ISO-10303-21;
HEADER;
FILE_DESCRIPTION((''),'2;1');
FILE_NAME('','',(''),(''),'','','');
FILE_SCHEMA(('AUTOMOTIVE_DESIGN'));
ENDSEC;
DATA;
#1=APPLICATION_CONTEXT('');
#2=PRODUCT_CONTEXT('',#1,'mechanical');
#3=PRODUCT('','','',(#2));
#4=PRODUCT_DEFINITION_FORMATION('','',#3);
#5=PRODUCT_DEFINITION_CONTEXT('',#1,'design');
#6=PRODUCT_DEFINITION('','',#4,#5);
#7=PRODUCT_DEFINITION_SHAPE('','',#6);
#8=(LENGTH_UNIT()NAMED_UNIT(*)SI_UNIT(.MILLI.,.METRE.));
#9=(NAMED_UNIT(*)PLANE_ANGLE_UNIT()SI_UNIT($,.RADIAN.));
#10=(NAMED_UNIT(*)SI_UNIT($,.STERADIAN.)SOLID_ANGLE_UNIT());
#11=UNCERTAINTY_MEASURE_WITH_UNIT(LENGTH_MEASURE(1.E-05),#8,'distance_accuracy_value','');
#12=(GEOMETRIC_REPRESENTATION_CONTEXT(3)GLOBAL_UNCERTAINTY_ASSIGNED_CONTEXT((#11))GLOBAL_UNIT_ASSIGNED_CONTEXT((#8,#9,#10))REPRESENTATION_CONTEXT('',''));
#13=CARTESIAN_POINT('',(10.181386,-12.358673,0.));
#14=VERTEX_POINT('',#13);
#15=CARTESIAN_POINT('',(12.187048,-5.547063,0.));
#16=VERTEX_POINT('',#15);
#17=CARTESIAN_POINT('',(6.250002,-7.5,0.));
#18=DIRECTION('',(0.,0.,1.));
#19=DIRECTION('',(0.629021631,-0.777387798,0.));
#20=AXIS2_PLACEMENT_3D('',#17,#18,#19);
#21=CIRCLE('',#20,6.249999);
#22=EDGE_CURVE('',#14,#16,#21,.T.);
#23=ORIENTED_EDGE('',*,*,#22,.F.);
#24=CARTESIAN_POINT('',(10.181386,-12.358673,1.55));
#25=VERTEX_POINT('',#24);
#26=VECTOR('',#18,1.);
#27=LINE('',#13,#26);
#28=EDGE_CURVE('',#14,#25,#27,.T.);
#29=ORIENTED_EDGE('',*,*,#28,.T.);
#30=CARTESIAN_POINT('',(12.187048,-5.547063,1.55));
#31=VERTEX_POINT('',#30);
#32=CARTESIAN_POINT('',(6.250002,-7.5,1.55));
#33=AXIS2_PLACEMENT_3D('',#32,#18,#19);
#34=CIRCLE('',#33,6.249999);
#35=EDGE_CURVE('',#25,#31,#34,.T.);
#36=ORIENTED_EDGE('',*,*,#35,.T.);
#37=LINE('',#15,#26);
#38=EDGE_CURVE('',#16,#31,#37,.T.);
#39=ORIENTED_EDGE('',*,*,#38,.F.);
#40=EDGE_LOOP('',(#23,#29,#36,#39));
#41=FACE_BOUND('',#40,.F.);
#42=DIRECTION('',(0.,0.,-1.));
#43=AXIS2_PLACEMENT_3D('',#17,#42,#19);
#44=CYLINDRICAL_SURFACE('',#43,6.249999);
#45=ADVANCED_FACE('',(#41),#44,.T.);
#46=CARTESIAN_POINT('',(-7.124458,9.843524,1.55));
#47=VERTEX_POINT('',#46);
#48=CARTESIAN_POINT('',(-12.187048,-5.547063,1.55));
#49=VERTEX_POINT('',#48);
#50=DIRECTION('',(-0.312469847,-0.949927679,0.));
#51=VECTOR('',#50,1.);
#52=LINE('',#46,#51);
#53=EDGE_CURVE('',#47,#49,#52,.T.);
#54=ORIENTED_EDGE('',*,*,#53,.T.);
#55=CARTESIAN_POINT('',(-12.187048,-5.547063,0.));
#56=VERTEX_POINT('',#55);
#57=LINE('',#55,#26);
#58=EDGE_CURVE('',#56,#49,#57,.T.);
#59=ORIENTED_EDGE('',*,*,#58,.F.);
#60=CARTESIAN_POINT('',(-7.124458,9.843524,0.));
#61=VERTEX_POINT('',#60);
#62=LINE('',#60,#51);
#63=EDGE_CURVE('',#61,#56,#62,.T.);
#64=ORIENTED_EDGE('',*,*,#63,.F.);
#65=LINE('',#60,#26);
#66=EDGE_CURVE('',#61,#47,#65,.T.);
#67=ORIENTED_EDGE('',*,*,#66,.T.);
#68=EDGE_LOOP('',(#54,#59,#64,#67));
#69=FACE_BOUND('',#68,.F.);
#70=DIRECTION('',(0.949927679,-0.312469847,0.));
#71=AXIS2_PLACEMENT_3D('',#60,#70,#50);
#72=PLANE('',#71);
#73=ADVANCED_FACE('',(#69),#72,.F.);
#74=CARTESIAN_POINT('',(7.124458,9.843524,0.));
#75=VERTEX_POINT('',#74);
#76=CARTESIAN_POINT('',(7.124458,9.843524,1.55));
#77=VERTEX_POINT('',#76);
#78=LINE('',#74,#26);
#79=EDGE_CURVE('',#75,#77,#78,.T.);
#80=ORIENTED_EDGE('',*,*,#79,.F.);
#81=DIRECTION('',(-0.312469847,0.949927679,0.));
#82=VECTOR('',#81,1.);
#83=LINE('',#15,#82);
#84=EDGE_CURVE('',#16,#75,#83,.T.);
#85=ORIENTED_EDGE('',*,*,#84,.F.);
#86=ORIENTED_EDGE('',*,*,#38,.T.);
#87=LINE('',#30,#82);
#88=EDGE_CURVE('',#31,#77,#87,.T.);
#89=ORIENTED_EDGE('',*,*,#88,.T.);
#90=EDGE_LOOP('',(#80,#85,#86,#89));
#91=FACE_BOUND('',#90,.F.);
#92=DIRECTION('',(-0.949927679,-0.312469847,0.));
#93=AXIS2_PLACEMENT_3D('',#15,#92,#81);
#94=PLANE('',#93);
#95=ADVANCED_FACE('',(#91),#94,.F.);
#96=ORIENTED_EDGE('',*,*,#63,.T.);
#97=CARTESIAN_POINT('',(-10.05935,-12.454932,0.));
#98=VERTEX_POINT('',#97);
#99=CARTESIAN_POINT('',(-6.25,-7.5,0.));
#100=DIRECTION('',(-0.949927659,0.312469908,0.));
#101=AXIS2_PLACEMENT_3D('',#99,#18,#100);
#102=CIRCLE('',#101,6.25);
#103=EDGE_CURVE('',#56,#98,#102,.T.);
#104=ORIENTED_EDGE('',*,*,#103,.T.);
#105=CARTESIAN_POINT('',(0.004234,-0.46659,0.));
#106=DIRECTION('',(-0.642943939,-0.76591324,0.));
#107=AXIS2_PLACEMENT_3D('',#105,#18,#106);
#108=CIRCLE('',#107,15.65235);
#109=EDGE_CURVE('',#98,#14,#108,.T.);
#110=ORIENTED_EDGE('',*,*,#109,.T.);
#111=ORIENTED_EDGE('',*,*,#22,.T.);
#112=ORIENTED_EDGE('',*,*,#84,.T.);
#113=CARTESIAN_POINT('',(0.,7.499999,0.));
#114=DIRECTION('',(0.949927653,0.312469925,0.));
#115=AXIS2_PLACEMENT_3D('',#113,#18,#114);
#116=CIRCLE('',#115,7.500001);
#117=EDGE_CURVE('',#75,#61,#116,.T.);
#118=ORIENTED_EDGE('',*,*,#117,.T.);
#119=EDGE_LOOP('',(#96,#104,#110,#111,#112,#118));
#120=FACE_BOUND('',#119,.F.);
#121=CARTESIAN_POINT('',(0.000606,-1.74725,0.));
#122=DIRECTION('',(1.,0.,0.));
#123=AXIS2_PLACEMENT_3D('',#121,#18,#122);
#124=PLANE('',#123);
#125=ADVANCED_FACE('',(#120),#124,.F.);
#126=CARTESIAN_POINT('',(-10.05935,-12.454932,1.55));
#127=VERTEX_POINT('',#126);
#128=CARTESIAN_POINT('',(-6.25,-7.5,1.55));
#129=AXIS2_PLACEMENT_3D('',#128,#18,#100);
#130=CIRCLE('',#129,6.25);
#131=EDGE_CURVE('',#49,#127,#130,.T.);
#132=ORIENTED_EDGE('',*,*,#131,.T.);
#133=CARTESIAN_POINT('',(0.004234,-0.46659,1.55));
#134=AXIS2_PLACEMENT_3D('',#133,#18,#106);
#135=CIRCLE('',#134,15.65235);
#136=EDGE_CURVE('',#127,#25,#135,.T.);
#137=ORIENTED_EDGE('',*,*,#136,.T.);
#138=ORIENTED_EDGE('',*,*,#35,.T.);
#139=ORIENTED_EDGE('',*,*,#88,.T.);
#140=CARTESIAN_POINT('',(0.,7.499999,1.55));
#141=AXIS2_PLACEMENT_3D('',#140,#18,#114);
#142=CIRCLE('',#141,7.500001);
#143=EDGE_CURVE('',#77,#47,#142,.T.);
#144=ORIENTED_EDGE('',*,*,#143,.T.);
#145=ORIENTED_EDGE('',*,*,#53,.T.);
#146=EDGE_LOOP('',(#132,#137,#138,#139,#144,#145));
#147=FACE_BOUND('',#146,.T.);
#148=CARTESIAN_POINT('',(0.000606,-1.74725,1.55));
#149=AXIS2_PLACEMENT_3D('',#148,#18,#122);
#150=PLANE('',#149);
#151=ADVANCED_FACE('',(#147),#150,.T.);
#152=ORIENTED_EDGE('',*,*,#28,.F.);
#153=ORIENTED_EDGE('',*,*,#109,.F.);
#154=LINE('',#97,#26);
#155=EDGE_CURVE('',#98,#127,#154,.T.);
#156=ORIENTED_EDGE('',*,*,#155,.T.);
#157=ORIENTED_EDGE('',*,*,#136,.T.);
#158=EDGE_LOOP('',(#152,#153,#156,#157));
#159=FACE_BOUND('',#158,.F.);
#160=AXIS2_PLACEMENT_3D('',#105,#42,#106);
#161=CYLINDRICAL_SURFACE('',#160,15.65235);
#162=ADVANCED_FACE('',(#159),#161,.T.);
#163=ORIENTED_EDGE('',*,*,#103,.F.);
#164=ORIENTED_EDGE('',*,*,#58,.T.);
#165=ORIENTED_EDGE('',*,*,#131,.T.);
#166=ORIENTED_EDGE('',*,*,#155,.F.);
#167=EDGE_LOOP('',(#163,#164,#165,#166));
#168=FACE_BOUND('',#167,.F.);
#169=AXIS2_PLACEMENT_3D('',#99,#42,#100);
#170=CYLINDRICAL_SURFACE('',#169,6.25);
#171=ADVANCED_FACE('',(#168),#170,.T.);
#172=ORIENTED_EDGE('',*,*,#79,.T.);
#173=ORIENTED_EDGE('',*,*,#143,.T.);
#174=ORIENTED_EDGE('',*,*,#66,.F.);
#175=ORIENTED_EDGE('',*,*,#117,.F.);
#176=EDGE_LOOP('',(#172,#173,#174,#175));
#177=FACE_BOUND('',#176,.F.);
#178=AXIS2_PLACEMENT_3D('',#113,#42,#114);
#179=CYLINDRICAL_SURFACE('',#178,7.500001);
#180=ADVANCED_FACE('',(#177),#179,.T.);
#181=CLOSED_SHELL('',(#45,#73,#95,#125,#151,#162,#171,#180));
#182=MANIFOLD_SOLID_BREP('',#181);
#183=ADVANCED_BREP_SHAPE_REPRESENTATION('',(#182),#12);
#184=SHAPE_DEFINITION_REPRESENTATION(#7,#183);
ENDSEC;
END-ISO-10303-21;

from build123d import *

# Parameters (mm, degrees)
F1_DEPTH = 1.55


with BuildPart() as f1:
    # F0 (on Top) → F1 (new body)
    with BuildSketch(Plane.XY):
        with BuildLine():
            Line((12.187048, -5.547063), (7.124458, 9.843524))
            ThreePointArc((7.124458, 9.843524), (0, 15), (-7.124458, 9.843524))
            Line((-7.124458, 9.843524), (-12.187048, -5.547063))
            ThreePointArc((-12.187048, -5.547063), (-12.223084, -9.339774), (-10.05935, -12.454932))
            ThreePointArc((-10.05935, -12.454932), (0.078671, -16.118763), (10.181386, -12.358673))
            ThreePointArc((10.181386, -12.358673), (12.245499, -9.26536), (12.187048, -5.547063))
        make_face()
    extrude(amount=F1_DEPTH)


solid = f1.part
